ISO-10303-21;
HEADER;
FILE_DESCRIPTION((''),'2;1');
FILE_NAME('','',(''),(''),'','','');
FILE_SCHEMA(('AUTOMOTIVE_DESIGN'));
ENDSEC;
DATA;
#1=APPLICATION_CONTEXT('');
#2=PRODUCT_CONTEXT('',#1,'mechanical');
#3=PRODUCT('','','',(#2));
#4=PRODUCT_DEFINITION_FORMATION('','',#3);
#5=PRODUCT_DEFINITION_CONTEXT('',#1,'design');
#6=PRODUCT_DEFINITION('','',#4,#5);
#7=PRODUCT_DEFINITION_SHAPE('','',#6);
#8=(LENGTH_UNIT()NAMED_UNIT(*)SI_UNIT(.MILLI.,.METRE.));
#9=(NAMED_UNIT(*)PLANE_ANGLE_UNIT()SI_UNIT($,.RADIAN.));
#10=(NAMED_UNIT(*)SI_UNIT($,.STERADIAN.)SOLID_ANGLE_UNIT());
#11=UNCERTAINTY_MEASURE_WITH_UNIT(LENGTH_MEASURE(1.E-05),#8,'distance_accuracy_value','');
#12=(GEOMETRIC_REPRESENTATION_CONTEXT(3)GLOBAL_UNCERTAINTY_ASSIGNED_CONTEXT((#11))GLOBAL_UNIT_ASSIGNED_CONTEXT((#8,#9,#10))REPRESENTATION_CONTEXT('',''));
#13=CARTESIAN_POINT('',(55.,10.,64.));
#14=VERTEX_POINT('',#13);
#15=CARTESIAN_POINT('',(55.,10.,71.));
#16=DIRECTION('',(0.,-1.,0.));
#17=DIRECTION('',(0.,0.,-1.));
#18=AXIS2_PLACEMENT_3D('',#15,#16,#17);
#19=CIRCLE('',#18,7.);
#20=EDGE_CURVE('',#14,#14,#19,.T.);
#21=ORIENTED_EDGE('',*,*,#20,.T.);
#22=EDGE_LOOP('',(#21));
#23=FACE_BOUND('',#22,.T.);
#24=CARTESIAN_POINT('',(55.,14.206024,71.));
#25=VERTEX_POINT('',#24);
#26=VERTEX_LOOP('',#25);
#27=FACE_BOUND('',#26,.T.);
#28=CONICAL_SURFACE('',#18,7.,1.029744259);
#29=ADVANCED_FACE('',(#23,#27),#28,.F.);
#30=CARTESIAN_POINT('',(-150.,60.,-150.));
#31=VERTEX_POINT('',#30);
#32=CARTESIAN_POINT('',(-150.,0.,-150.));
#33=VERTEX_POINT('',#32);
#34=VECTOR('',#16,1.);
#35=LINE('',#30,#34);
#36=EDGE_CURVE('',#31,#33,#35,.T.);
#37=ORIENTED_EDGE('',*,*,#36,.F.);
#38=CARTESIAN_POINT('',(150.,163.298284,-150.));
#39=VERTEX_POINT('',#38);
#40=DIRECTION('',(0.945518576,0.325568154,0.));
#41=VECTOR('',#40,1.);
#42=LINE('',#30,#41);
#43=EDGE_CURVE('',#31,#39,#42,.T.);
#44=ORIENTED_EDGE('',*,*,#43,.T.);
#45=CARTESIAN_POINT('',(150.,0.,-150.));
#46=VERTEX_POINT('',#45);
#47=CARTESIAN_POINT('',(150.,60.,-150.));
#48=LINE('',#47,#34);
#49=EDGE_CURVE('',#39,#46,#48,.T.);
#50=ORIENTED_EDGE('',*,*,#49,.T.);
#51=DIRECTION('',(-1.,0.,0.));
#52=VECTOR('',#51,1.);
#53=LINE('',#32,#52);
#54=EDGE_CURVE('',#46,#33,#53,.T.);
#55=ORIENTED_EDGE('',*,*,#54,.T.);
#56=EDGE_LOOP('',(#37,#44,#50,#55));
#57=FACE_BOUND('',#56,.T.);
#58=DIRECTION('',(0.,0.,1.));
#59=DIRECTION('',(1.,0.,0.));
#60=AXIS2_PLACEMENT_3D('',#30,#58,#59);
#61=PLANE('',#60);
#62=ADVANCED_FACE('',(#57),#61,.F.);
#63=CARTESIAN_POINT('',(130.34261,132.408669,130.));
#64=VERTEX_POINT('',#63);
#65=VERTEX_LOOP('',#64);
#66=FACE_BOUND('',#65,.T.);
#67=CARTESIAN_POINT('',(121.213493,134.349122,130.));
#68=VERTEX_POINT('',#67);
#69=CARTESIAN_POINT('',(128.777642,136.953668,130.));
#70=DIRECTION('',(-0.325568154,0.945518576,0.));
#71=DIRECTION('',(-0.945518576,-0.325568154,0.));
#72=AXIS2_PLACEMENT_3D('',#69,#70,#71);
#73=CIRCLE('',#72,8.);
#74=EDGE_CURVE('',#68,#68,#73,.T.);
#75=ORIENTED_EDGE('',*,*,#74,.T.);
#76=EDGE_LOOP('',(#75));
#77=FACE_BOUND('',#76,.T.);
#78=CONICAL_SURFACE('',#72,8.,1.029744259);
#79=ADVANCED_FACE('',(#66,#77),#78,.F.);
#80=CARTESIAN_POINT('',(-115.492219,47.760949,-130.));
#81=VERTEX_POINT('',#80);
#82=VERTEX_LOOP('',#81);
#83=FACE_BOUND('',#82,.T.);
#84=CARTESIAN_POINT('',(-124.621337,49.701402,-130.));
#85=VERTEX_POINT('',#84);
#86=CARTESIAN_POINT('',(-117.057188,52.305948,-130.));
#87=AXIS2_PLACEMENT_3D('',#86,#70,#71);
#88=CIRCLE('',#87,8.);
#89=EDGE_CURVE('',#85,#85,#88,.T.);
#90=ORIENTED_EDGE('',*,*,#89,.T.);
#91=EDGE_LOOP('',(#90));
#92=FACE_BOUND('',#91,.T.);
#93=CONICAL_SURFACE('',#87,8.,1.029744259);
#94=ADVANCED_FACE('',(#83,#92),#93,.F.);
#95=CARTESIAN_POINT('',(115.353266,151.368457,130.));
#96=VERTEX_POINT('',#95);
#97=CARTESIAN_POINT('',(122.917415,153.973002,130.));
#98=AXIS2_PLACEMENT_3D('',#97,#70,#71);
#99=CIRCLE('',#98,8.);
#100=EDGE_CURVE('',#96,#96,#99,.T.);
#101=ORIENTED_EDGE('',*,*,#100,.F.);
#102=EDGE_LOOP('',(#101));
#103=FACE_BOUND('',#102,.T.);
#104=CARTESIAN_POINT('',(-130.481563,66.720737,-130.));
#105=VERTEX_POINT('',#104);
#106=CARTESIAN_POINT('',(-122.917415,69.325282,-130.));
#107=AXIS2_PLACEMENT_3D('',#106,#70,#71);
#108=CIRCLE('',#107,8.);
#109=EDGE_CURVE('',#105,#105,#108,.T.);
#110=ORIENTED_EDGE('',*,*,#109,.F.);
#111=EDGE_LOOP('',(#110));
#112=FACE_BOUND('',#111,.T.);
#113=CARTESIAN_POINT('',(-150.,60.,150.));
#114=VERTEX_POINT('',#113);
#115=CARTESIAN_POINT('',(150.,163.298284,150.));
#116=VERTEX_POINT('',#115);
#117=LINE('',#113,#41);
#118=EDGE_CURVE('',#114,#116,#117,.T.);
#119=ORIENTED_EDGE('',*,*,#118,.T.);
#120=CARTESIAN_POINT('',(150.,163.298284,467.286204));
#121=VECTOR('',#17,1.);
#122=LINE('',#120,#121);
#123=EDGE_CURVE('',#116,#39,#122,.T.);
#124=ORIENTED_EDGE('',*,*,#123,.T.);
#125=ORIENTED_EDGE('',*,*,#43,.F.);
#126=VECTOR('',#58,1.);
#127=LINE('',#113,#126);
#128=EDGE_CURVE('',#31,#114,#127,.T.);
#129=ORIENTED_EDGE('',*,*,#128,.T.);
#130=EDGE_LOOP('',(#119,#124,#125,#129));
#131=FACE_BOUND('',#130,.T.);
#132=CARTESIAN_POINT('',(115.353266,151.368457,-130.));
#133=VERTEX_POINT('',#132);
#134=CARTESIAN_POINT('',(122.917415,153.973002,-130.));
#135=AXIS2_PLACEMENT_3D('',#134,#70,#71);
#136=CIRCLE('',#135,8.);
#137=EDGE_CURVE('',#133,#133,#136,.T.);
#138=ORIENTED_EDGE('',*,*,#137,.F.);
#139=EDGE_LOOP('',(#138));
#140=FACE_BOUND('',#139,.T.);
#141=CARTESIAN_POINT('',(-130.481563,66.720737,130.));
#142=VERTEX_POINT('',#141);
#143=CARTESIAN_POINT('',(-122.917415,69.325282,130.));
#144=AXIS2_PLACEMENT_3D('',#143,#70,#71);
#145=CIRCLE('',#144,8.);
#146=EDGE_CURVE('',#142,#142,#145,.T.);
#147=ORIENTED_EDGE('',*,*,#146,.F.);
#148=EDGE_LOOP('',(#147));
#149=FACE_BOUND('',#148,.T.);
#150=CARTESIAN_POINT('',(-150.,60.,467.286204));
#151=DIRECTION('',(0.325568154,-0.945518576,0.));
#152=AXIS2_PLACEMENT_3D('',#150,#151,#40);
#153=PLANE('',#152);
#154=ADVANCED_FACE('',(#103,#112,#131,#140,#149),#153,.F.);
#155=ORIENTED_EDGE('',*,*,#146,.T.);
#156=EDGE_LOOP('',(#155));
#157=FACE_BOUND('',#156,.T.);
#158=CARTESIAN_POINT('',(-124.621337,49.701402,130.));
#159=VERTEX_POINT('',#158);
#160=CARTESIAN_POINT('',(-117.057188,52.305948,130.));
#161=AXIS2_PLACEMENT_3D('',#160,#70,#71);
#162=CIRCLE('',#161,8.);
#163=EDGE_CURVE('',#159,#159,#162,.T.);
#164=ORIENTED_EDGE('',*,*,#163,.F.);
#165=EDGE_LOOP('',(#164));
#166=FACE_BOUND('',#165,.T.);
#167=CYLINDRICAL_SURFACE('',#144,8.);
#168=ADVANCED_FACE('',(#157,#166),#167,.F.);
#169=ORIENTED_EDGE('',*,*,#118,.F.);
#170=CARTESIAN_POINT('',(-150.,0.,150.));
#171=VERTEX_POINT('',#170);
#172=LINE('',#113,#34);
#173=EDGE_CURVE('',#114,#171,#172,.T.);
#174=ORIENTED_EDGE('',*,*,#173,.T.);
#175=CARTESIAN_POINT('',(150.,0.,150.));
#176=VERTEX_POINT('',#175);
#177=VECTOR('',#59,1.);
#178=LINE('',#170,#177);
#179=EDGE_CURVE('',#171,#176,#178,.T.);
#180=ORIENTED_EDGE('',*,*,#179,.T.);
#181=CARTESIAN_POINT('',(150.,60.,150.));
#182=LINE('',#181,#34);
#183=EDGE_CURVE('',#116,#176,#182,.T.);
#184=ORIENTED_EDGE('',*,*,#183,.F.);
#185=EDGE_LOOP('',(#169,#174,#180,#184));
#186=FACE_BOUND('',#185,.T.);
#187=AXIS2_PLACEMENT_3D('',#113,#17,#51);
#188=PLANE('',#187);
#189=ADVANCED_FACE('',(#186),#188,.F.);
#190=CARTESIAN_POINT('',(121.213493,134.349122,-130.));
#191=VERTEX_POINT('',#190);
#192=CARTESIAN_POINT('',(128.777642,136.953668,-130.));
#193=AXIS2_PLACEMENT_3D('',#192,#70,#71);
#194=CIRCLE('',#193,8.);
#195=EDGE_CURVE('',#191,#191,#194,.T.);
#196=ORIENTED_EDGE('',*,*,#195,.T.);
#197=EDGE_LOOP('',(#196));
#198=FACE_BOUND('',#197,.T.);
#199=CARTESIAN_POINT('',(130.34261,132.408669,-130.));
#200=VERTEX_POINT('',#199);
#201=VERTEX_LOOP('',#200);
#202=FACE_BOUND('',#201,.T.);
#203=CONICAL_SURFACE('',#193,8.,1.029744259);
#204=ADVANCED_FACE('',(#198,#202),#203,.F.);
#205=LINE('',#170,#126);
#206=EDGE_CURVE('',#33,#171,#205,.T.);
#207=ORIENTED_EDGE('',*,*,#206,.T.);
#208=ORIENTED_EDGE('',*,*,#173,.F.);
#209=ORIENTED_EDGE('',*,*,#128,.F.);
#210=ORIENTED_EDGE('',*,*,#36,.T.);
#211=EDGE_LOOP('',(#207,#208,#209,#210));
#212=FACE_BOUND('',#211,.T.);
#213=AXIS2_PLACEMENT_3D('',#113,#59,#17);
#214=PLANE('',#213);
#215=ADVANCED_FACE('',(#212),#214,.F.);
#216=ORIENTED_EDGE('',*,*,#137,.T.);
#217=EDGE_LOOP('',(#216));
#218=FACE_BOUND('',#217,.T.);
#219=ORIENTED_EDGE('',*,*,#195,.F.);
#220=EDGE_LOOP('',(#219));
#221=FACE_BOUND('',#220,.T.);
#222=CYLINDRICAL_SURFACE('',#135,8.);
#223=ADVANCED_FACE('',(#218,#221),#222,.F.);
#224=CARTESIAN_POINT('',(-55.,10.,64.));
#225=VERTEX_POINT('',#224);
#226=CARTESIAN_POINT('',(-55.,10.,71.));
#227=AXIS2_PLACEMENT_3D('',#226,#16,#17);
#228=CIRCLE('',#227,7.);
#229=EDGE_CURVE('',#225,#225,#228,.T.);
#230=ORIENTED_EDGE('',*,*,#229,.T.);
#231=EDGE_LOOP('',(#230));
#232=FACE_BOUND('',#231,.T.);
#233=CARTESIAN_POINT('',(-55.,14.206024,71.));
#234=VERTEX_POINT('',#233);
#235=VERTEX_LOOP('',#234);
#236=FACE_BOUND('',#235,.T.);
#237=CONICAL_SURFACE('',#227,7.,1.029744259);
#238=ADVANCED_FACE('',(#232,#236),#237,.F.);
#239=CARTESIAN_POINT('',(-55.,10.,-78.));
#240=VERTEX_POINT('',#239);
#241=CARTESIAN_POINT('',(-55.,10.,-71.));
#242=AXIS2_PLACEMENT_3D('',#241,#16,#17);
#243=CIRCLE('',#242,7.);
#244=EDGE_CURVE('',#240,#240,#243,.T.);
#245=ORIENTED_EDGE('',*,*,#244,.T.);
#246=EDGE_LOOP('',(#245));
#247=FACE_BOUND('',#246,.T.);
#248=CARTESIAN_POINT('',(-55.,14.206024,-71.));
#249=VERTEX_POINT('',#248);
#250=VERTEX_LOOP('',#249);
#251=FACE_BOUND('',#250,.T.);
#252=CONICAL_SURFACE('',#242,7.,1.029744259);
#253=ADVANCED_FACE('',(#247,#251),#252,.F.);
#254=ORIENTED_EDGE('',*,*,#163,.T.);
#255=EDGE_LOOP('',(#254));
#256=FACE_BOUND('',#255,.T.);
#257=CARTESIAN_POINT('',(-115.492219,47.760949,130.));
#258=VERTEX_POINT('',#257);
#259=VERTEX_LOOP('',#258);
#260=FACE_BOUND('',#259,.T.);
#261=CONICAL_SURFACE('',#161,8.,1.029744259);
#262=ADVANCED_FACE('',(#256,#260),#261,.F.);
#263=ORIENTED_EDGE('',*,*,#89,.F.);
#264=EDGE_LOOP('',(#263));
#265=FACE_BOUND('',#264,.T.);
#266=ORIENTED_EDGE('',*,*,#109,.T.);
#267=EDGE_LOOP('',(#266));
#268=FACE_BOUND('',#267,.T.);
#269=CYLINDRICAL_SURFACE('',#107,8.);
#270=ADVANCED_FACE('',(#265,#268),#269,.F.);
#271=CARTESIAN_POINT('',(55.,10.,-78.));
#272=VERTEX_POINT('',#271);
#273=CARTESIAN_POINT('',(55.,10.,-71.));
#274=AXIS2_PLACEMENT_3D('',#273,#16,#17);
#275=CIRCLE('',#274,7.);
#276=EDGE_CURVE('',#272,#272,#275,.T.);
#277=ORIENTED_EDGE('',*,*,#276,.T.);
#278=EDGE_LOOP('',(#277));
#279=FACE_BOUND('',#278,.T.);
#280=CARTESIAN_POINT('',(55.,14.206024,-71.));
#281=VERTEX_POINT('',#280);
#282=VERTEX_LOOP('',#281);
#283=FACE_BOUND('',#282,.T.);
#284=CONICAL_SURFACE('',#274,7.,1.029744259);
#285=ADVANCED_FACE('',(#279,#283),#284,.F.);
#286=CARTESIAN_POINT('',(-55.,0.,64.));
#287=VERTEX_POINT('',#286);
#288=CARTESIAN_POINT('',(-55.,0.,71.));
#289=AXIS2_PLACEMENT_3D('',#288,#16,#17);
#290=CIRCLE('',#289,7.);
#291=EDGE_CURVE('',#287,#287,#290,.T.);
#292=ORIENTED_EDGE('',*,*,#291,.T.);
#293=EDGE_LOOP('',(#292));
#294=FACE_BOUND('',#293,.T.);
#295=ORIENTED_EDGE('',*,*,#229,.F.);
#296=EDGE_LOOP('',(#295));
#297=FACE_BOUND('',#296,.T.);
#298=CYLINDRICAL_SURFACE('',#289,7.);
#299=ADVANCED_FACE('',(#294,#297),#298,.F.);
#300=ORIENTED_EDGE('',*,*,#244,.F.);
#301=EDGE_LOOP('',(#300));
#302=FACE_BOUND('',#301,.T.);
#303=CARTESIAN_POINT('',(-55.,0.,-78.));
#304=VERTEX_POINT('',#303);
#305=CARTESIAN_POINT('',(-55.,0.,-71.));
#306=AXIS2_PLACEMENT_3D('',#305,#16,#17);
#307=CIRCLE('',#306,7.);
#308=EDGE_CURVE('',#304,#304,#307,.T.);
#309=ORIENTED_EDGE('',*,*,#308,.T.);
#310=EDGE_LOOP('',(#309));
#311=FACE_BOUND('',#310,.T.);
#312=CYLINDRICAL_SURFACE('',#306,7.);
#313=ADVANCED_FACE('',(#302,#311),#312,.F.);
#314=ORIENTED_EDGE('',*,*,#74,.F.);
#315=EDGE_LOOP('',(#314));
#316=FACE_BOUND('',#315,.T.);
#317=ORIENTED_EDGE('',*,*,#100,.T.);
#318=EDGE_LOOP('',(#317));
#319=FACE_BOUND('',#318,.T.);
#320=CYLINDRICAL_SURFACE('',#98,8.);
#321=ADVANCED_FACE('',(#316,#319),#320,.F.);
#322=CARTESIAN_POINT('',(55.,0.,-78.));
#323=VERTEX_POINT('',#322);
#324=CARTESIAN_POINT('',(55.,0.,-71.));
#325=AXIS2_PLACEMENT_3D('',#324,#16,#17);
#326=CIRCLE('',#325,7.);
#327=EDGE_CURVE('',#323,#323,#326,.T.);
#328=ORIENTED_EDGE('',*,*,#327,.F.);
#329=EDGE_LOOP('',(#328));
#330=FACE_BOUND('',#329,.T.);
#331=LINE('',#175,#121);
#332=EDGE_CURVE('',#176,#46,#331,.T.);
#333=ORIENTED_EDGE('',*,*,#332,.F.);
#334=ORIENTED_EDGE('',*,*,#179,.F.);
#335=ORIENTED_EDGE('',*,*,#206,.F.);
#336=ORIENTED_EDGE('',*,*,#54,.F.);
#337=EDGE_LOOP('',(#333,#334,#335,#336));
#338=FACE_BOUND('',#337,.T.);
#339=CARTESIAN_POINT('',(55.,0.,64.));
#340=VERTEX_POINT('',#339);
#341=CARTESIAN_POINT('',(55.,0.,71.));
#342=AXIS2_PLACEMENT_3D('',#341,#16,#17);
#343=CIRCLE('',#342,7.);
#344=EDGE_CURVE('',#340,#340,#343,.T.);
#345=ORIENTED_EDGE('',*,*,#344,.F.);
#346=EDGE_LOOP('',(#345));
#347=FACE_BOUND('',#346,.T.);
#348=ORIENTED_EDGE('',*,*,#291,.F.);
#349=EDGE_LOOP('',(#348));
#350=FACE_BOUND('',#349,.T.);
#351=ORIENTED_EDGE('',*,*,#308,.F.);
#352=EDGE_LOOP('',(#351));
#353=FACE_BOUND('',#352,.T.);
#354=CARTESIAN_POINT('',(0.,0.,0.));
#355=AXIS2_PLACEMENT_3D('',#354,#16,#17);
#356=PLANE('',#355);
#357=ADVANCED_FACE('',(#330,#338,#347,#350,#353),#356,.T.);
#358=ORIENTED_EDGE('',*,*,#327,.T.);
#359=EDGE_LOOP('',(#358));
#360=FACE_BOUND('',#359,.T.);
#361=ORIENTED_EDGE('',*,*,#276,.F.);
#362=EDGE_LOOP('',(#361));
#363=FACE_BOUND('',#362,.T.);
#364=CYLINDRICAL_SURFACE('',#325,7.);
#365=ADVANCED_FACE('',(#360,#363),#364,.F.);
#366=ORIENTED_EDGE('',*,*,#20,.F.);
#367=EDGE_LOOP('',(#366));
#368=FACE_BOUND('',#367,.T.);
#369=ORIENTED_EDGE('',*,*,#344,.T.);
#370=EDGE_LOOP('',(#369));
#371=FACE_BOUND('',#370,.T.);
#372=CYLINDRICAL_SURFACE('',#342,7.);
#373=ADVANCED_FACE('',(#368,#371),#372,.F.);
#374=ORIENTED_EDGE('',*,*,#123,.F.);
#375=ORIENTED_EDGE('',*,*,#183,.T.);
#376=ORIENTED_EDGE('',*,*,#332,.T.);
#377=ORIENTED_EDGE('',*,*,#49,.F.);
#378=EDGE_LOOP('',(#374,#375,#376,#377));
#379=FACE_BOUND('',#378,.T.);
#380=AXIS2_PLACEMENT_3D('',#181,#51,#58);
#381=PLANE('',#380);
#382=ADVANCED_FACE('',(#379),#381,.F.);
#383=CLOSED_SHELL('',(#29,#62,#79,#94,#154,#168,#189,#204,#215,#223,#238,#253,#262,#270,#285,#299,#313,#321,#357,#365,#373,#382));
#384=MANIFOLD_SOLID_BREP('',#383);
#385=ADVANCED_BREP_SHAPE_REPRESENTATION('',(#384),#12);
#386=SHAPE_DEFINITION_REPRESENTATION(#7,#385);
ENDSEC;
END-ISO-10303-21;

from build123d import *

# Parameters (mm, degrees)
ESBO_O1_W                            = 300
ESBO_O1_H                            = 300
RESSALTO_EXTRUS_O1_DEPTH             = 60
FURO_ROSCADO_DE_M16X2_01_D           = 14
FURO_ROSCADO_DE_M16X2_01_DEPTH       = 10
FURO_ROSCADO_DE_M16X2_01_TIP         = 4.206024333
RESSALTO_EXTRUS_O2_REACH             = 152
RESSALTO_EXTRUS_O2_DIRECTION_2_REACH = 152
FURO_ROSCADO_DE_M18X2_01_D           = 16
FURO_ROSCADO_DE_M18X2_01_DEPTH       = 18
FURO_ROSCADO_DE_M18X2_01_TIP         = 4.806884952


with BuildPart() as part:
    # Esboço1 → Ressalto-extrusão1 (new body)
    with BuildSketch(Plane(origin=(0, 0, 0), x_dir=(1, 0, 0), z_dir=(0, 1, 0))):
        Rectangle(ESBO_O1_W, ESBO_O1_H)
    extrude(amount=RESSALTO_EXTRUS_O1_DEPTH)

    # Furo roscado de M16x2.01
    with Locations(Plane(origin=(0, 0, 0), x_dir=(-1, 0, 0), z_dir=(0, -1, 0))):
        with Locations((55, -71), (-55, -71), (-55, 71), (55, 71)):
            Hole(FURO_ROSCADO_DE_M16X2_01_D / 2, depth=FURO_ROSCADO_DE_M16X2_01_DEPTH)
            with Locations((0, 0, -(FURO_ROSCADO_DE_M16X2_01_DEPTH + FURO_ROSCADO_DE_M16X2_01_TIP / 2))):  # 118° drill point
                Cone(0, FURO_ROSCADO_DE_M16X2_01_D / 2, FURO_ROSCADO_DE_M16X2_01_TIP, mode=Mode.SUBTRACT)

    # Ressalto-extrusão2: up to this face of the body (flat: up to its plane)
    ressalto_extrus_o2_end = Plane(part.part.faces().sort_by_distance((0, 30, 150))[0])
    # Esboço12 → Ressalto-extrusão2 (add, up to the picked face)
    with BuildSketch(Plane.XY, mode=Mode.PRIVATE) as ressalto_extrus_o2_sk1:
        Polygon((-150, 60), (150, 163.298283987), (150, 60), align=None)
    ressalto_extrus_o2_tool1 = split(extrude(ressalto_extrus_o2_sk1.sketch, amount=RESSALTO_EXTRUS_O2_REACH, mode=Mode.PRIVATE), bisect_by=ressalto_extrus_o2_end, keep=Keep.BOTH, mode=Mode.PRIVATE)
    add(ressalto_extrus_o2_tool1.solids().sort_by_distance((50, 94.432761, 0))[0])

    # Ressalto-extrusão2 direction 2: up to this face of the body (flat: up to its plane)
    ressalto_extrus_o2_direction_2_end = Plane(part.part.faces().sort_by_distance((0, 30, -150))[0])
    # Esboço12 → Ressalto-extrusão2 direction 2 (add, up to the picked face)
    with BuildSketch(Plane.XY, mode=Mode.PRIVATE) as ressalto_extrus_o2_direction_2_sk1:
        Polygon((-150, 60), (150, 163.298283987), (150, 60), align=None)
    ressalto_extrus_o2_direction_2_tool1 = split(extrude(ressalto_extrus_o2_direction_2_sk1.sketch, amount=-RESSALTO_EXTRUS_O2_DIRECTION_2_REACH, mode=Mode.PRIVATE), bisect_by=ressalto_extrus_o2_direction_2_end, keep=Keep.BOTH, mode=Mode.PRIVATE)
    add(ressalto_extrus_o2_direction_2_tool1.solids().sort_by_distance((50, 94.432761, 0))[0])

    # Furo roscado de M18x2.01
    with Locations(Plane(origin=(-34.369037739, 99.814933258, 0), x_dir=(0.945518576, 0.325568154, 0), z_dir=(-0.325568154, 0.945518576, 0))):
        with Locations((-93.650594894, 130), (166.349405106, 130), (166.349405106, -130), (-93.650594894, -130)):
            Hole(FURO_ROSCADO_DE_M18X2_01_D / 2, depth=FURO_ROSCADO_DE_M18X2_01_DEPTH)
            with Locations((0, 0, -(FURO_ROSCADO_DE_M18X2_01_DEPTH + FURO_ROSCADO_DE_M18X2_01_TIP / 2))):  # 118° drill point
                Cone(0, FURO_ROSCADO_DE_M18X2_01_D / 2, FURO_ROSCADO_DE_M18X2_01_TIP, mode=Mode.SUBTRACT)


solid = part.part
